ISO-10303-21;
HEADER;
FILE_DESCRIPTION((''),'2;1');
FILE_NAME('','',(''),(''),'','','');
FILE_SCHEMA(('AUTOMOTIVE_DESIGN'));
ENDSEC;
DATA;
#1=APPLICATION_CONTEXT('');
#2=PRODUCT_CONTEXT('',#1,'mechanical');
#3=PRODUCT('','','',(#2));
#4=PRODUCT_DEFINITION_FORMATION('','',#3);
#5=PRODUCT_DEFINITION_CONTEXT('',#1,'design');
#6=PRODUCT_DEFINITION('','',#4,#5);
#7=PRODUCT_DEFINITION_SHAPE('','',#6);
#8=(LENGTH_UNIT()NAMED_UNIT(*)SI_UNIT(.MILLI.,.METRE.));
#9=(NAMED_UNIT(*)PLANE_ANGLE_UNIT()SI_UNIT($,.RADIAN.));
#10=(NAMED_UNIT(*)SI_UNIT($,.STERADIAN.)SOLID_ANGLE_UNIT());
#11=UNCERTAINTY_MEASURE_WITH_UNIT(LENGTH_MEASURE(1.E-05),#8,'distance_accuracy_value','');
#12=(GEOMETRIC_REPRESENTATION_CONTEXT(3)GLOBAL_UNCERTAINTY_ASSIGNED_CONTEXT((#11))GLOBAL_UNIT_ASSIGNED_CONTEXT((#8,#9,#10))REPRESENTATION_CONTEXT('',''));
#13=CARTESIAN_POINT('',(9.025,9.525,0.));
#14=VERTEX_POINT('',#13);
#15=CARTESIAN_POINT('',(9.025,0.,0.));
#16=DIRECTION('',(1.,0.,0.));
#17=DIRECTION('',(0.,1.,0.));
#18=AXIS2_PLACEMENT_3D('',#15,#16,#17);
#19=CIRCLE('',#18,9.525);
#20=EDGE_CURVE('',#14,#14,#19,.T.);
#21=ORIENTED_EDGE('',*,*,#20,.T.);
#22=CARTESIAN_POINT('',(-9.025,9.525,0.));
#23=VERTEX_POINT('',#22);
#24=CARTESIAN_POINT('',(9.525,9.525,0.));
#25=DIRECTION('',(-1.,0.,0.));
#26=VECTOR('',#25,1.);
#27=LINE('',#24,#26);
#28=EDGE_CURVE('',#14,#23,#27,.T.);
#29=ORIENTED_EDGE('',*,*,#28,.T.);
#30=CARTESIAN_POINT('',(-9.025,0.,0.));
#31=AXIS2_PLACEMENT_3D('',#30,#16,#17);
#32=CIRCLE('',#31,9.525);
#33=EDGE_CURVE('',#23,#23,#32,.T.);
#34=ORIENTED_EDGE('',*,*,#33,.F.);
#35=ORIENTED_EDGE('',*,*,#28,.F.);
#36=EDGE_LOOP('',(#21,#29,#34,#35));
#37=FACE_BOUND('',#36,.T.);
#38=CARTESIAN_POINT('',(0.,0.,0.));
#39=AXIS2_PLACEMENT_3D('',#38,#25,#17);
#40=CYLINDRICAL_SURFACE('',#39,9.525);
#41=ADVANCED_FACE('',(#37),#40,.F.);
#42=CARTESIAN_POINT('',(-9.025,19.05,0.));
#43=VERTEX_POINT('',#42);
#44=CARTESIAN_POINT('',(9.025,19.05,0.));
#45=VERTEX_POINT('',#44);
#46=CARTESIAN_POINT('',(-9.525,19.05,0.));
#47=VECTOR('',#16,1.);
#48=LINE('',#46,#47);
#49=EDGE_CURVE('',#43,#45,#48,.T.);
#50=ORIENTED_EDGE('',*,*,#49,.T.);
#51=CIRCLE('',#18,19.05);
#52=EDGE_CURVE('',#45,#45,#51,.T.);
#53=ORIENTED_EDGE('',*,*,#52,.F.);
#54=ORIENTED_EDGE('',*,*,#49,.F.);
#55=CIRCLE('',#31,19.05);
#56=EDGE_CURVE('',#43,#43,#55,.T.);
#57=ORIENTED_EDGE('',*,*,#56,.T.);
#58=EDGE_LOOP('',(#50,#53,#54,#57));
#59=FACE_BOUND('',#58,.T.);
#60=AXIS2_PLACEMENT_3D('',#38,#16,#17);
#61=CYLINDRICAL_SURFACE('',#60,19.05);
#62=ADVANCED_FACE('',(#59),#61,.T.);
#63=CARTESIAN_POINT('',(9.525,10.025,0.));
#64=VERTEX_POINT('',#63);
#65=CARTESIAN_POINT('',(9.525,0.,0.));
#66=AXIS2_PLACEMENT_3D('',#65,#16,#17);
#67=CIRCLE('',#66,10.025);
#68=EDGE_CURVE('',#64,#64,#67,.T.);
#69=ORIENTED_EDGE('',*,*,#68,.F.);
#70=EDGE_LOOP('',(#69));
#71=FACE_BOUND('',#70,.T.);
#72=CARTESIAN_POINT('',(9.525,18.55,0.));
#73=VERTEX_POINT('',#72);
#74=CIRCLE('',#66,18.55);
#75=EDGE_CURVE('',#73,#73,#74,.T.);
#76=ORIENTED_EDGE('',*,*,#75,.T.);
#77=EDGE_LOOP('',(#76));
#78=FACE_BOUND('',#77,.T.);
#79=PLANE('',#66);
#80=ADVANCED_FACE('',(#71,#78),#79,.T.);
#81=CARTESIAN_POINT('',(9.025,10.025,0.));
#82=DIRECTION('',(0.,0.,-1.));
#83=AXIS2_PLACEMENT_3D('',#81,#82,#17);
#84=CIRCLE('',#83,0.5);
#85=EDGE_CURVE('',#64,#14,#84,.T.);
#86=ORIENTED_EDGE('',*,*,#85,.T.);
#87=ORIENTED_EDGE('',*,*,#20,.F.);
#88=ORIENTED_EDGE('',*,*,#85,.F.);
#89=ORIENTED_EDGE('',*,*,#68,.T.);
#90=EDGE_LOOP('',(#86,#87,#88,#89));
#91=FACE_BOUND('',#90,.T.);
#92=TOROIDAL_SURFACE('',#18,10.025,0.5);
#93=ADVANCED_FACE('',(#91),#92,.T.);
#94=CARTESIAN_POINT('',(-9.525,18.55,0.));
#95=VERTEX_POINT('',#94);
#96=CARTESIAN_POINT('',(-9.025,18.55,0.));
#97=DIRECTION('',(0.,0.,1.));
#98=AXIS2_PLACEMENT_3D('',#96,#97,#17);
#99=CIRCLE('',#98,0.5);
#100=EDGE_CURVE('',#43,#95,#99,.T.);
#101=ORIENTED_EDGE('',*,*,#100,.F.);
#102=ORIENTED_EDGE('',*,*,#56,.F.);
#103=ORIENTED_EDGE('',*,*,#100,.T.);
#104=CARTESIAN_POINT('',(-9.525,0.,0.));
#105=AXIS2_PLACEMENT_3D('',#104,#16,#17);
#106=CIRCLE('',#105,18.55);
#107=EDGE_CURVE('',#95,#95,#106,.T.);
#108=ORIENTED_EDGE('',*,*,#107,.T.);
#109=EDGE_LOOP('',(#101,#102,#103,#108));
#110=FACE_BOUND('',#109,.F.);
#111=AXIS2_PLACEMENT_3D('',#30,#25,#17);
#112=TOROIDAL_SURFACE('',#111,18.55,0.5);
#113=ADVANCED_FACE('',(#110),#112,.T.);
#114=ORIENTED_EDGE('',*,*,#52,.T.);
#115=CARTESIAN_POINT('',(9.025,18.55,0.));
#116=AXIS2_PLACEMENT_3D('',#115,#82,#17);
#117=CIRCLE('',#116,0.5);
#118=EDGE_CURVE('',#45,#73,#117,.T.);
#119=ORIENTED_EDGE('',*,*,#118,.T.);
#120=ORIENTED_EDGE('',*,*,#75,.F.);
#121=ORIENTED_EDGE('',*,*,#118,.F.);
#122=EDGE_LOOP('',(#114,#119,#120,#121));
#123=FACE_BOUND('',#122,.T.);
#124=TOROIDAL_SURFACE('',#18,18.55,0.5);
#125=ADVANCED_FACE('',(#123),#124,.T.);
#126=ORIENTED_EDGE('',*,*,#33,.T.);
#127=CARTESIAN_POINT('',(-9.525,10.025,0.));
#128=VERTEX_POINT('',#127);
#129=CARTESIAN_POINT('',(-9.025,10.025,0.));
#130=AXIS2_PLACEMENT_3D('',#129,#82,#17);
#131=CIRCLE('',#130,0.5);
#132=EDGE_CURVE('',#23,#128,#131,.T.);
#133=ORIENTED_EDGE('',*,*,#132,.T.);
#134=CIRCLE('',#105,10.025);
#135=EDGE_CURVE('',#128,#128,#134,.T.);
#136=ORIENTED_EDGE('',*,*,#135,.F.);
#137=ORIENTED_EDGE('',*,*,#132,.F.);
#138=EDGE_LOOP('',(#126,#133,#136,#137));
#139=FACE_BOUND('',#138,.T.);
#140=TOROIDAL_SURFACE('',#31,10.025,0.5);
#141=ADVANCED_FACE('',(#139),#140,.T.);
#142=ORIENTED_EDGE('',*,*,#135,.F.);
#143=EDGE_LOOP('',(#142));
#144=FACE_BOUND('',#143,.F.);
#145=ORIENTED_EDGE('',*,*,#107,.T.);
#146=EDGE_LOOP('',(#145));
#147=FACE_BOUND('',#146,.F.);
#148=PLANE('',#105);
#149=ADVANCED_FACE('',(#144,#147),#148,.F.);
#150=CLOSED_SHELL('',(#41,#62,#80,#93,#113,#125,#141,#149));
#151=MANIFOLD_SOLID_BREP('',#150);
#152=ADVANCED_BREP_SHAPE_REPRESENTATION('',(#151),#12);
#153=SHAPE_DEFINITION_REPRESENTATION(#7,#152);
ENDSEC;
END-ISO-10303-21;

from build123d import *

# Parameters (mm, degrees)
F0_R     = 19.05
F0_R_2   = 9.525
F1_DEPTH = 9.525
F2_R     = 0.5


with BuildPart() as f1:
    # F0 (on Right) → F1 (new body, symmetric)
    with BuildSketch(Plane.YZ):
        Circle(F0_R)
        Circle(F0_R_2, mode=Mode.SUBTRACT)
    extrude(amount=F1_DEPTH, both=True)

    # F2
    f2_edges = [f1.edges().sort_by_distance(p)[0] for p in [
        (9.525, -19.05, 0),
        (9.525, -9.525, 0),
        (-9.525, -19.05, 0),
        (-9.525, -9.525, 0),
    ]]
    fillet(f2_edges, radius=F2_R)


solid = f1.part
